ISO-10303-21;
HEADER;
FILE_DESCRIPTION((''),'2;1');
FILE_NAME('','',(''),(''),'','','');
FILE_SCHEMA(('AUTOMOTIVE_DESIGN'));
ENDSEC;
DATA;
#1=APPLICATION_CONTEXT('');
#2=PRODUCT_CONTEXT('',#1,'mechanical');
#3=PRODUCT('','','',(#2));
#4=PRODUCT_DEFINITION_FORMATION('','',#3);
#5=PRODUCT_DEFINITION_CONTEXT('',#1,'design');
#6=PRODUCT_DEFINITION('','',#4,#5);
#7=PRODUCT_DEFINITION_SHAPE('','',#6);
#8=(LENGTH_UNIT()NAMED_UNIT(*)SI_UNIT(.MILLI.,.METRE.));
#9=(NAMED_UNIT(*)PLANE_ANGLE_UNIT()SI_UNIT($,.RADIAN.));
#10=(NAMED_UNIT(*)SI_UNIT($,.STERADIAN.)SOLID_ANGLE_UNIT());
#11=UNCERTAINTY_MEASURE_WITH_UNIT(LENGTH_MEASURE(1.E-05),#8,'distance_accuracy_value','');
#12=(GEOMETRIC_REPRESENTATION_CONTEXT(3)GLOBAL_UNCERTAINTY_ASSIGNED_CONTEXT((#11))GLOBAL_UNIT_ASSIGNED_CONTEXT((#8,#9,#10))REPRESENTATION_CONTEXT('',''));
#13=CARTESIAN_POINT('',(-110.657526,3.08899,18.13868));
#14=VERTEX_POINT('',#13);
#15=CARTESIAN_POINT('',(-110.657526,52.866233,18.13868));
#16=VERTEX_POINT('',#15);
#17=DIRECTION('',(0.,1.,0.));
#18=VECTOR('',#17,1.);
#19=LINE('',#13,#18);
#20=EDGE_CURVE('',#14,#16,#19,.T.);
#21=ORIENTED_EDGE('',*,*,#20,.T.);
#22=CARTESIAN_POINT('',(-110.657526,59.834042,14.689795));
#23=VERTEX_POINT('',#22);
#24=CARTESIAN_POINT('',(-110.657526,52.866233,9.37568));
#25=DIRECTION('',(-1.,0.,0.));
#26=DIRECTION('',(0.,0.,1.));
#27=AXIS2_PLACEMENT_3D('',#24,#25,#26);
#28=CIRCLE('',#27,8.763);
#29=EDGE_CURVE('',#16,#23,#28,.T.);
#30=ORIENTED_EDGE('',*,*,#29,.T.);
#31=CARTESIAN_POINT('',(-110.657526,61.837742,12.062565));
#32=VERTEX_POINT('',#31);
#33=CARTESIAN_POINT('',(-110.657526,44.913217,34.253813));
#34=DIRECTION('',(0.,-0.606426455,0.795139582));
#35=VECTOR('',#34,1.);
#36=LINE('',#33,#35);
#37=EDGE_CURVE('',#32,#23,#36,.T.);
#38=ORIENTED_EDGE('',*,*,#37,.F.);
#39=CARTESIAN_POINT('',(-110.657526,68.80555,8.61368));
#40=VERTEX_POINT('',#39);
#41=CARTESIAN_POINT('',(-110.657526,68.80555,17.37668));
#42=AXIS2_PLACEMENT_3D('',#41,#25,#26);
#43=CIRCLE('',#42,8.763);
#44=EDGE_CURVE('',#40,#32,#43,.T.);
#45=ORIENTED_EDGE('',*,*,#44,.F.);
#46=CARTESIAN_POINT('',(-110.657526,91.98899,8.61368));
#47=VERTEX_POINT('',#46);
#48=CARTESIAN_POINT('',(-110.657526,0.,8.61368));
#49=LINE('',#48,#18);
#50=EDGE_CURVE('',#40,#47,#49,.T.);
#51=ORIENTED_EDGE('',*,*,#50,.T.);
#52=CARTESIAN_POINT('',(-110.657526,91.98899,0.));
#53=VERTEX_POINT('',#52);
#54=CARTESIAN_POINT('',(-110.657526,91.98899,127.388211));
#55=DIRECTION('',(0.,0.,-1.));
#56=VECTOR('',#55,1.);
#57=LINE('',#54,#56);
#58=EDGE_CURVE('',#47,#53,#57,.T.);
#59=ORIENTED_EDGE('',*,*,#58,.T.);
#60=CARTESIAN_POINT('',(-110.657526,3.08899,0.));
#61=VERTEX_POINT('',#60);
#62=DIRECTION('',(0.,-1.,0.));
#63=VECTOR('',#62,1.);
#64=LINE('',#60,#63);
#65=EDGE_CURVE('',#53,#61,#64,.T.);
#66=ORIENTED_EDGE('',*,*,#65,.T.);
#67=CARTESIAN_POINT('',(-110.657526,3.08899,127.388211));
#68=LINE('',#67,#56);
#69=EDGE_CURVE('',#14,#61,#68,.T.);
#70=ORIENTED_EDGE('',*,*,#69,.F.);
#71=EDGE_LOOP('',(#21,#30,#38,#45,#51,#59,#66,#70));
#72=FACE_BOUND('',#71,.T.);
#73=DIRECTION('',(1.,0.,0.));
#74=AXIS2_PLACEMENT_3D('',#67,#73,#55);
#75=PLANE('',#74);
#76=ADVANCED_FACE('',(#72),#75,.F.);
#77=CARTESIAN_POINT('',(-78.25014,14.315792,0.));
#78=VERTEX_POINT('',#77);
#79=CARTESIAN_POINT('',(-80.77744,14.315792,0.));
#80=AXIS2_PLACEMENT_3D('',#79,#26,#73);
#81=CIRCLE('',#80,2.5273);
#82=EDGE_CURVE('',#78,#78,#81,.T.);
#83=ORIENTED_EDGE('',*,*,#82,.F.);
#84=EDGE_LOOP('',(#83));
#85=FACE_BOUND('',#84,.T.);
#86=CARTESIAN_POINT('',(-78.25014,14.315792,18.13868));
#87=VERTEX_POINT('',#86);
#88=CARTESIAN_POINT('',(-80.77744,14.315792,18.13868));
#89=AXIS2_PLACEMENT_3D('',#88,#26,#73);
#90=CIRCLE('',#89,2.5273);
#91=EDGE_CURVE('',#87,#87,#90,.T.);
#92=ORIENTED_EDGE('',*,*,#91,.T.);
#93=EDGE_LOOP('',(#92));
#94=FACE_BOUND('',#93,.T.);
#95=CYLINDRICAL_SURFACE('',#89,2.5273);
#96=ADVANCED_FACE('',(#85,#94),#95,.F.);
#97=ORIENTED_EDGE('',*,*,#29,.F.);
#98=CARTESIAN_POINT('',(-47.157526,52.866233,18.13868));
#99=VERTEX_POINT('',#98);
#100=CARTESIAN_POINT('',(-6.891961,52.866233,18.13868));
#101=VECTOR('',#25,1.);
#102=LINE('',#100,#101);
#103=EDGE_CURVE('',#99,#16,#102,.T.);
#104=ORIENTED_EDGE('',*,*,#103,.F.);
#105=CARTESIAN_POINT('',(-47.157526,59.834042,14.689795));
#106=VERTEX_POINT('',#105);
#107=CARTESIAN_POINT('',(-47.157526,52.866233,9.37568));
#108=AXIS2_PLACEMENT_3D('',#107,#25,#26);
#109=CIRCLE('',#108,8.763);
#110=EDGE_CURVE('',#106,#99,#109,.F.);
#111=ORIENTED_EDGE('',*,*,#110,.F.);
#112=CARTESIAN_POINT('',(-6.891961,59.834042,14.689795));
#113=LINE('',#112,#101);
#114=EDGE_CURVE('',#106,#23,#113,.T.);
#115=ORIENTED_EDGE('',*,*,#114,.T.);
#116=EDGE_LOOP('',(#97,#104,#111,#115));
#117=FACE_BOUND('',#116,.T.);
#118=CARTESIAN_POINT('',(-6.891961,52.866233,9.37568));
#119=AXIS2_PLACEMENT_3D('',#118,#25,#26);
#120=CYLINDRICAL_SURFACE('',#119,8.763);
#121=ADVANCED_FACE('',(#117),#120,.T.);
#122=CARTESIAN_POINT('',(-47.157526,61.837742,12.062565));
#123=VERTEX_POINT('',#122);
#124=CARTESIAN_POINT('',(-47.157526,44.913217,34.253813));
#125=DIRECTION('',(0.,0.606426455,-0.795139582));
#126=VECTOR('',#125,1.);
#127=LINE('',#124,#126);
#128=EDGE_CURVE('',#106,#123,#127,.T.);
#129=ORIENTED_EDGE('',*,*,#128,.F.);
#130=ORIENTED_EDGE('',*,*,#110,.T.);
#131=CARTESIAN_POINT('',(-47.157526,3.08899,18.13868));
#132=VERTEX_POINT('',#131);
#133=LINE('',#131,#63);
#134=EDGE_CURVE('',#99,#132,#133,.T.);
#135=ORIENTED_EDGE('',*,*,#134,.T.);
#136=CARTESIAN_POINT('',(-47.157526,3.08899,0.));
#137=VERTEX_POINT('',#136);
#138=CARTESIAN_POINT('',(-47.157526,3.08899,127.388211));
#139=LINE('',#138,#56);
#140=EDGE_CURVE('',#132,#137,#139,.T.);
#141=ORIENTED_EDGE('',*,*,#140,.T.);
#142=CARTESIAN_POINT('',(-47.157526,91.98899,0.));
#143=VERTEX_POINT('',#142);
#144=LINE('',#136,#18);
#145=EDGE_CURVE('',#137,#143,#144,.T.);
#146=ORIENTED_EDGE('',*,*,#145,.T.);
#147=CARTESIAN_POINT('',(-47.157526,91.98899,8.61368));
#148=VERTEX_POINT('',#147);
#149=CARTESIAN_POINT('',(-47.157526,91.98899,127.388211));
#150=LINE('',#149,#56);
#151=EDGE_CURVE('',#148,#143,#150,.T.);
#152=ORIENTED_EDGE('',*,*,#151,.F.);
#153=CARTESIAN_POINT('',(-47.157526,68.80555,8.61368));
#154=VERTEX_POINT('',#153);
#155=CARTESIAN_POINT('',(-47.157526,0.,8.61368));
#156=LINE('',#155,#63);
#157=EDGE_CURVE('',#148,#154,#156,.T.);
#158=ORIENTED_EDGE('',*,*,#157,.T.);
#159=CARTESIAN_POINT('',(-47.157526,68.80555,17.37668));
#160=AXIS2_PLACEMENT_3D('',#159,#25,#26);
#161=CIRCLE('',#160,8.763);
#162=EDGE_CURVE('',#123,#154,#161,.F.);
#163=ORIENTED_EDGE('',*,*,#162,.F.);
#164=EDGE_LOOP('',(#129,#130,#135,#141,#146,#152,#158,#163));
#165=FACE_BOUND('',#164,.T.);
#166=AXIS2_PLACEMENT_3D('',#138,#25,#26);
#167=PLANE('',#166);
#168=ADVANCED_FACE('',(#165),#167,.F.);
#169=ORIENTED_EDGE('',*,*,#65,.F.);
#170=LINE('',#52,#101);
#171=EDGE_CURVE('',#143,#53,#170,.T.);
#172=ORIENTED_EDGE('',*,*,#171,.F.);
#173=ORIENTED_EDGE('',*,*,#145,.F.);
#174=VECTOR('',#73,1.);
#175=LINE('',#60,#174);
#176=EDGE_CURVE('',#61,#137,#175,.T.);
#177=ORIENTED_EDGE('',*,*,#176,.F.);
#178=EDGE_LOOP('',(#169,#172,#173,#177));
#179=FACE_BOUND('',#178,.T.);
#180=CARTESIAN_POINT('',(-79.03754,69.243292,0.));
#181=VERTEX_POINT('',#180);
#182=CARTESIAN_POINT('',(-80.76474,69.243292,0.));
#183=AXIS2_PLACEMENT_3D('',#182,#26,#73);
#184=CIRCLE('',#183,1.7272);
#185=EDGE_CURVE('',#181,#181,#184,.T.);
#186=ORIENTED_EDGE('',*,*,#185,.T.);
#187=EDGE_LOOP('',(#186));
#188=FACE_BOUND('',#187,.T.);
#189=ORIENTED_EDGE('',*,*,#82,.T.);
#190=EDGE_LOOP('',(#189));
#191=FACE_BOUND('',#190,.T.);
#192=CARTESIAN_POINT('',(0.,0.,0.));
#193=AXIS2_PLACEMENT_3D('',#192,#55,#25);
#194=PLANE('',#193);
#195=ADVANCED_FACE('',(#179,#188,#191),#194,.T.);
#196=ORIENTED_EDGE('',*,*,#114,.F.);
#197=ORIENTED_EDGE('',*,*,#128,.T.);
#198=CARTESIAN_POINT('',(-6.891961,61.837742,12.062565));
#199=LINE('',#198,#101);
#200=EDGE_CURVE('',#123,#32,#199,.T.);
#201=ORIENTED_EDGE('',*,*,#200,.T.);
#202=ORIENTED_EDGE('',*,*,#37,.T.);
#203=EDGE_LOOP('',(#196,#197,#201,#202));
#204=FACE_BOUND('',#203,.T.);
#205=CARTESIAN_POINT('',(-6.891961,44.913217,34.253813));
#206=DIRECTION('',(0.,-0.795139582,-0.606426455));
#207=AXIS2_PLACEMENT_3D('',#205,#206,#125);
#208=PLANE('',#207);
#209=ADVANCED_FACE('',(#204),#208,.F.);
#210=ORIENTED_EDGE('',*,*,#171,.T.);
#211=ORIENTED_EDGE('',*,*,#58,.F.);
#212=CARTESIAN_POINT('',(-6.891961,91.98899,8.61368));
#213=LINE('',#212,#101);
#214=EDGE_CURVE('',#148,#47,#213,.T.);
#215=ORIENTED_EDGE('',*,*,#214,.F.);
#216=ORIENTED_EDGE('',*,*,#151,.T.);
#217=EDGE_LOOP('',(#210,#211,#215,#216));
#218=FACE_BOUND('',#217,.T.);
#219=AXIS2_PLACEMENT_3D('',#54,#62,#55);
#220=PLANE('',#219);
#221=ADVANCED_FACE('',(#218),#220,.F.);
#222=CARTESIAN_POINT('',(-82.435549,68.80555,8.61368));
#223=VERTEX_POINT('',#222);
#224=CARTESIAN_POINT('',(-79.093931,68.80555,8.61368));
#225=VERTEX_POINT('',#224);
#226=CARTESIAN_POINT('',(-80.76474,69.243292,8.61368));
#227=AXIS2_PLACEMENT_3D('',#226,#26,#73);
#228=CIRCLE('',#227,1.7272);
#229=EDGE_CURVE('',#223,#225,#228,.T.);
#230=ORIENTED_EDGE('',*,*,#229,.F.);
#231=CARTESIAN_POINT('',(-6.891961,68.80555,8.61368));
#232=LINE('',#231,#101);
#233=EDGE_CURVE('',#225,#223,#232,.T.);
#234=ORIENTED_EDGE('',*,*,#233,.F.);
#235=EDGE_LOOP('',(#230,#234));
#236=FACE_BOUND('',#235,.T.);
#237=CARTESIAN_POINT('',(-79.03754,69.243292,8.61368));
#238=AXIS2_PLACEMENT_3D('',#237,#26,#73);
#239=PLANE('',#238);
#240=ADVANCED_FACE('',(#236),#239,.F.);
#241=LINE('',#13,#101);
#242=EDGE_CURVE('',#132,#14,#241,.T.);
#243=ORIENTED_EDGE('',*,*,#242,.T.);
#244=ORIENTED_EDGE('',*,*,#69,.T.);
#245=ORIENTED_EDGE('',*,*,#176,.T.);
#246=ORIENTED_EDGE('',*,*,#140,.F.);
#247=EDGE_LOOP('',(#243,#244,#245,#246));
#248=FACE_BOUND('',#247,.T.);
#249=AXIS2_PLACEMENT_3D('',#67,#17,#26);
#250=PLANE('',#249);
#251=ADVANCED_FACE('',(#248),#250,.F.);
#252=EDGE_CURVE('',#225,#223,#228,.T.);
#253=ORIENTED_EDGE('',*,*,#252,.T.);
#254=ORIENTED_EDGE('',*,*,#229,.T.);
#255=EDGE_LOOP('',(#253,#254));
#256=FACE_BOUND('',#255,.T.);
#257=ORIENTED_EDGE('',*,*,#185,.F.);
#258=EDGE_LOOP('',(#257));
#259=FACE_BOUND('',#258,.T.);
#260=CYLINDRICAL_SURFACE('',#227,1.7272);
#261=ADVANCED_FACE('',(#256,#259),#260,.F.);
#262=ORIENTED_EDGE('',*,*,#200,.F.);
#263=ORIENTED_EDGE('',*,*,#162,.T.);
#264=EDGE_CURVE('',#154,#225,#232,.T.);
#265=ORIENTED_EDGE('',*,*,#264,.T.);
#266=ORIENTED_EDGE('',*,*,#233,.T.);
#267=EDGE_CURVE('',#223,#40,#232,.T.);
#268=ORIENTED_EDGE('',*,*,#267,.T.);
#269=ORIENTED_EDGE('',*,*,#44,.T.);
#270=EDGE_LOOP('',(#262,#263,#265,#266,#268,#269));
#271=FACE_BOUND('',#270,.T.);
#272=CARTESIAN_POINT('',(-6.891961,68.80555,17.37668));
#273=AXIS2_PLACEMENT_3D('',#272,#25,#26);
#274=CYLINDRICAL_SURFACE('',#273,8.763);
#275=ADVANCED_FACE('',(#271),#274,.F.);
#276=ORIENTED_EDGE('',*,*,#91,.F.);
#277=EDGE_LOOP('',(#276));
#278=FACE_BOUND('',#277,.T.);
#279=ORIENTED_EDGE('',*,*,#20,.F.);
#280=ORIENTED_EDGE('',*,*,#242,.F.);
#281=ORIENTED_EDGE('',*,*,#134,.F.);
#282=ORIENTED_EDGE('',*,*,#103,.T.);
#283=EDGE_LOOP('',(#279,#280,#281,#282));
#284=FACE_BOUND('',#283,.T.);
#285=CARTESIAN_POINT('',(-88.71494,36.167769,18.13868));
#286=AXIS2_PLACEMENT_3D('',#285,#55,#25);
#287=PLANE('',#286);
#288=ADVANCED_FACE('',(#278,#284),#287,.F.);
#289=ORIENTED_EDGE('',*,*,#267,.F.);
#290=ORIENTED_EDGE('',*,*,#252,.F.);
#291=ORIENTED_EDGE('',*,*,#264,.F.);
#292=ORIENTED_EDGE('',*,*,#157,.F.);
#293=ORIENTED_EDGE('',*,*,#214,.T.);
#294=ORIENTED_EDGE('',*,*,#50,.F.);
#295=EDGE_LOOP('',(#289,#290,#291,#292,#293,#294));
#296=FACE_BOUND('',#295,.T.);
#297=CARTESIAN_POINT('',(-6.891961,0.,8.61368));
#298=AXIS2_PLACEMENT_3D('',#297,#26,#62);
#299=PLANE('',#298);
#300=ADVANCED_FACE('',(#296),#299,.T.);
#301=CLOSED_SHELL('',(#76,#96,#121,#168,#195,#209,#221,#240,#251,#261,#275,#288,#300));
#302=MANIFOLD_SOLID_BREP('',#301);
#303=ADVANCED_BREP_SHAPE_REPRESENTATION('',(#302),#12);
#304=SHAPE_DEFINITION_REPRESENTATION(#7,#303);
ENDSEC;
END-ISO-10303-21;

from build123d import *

# Parameters (mm, degrees)
SKETCH1_W                  = 63.5
SKETCH1_H                  = 88.9
BOSS_EXTRUDE1_DEPTH        = 18.13868
CUT_EXTRUDE1_DEPTH         = 63.5
SKETCH5_W                  = 1.7272
SKETCH5_H                  = 8.613680223
F_8_0_199_DIAMETER_HOLE1_D = 5.0546


with BuildPart() as part:
    # Sketch1 → Boss-Extrude1 (new body)
    with BuildSketch(Plane.XY):
        with Locations((-78.907526017, 47.538989794)):
            Rectangle(SKETCH1_W, SKETCH1_H)
    extrude(amount=BOSS_EXTRUDE1_DEPTH)

    # Sketch2 → Cut-Extrude1 (cut)
    with BuildSketch(Plane.ZY.offset(110.657526017)):
        with BuildLine():
            Line((8.613680223, 91.988989794), (8.613680223, 74.018491939))
            Line((8.613680223, 74.018491939), (8.613680223, 69.243291939))
            Line((8.613680223, 69.243291939), (8.613680223, 68.805550488))
            ThreePointArc((8.613680223, 68.805550488), (8.619201776, 68.494519524), (8.635759479, 68.183880521))
            ThreePointArc((8.635759479, 68.183880521), (9.666013904, 64.641922993), (12.0625652, 61.83774233))
            Line((12.0625652, 61.83774233), (13.078006955, 61.063298751))
            Line((13.078006955, 61.063298751), (13.67435349, 60.608485127))
            Line((13.67435349, 60.608485127), (14.689795245, 59.834041549))
            ThreePointArc((14.689795245, 59.834041549), (17.086346542, 57.029860886), (18.116600967, 53.487903358))
            ThreePointArc((18.116600967, 53.487903358), (18.133158669, 53.177264354), (18.138680223, 52.866233391))
            Line((18.138680223, 52.866233391), (18.138680223, 91.988989794))
            Line((18.138680223, 91.988989794), (8.613680223, 91.988989794))
        make_face()
    extrude(amount=-CUT_EXTRUDE1_DEPTH, mode=Mode.SUBTRACT)

    # Sketch5 → #29 (0.136) Diameter Hole1 (revolve, cut)
    with BuildSketch(Plane(origin=(-80.764740239, 69.243291939, 8.613680223), x_dir=(0, -1, 0), z_dir=(1, 0, 0))):
        with Locations((0.8636, 4.306840112)):
            Rectangle(SKETCH5_W, SKETCH5_H)
    revolve(axis=Axis((-80.764740239, 69.243291939, 14.963680223), (0, 0, -1)), mode=Mode.SUBTRACT)

    # #8 (0.199) Diameter Hole1 (through all)
    with Locations(Plane.XY.offset(18.138680223)):
        with Locations((-80.777440239, 14.315791939)):
            Hole(F_8_0_199_DIAMETER_HOLE1_D / 2)


solid = part.part
